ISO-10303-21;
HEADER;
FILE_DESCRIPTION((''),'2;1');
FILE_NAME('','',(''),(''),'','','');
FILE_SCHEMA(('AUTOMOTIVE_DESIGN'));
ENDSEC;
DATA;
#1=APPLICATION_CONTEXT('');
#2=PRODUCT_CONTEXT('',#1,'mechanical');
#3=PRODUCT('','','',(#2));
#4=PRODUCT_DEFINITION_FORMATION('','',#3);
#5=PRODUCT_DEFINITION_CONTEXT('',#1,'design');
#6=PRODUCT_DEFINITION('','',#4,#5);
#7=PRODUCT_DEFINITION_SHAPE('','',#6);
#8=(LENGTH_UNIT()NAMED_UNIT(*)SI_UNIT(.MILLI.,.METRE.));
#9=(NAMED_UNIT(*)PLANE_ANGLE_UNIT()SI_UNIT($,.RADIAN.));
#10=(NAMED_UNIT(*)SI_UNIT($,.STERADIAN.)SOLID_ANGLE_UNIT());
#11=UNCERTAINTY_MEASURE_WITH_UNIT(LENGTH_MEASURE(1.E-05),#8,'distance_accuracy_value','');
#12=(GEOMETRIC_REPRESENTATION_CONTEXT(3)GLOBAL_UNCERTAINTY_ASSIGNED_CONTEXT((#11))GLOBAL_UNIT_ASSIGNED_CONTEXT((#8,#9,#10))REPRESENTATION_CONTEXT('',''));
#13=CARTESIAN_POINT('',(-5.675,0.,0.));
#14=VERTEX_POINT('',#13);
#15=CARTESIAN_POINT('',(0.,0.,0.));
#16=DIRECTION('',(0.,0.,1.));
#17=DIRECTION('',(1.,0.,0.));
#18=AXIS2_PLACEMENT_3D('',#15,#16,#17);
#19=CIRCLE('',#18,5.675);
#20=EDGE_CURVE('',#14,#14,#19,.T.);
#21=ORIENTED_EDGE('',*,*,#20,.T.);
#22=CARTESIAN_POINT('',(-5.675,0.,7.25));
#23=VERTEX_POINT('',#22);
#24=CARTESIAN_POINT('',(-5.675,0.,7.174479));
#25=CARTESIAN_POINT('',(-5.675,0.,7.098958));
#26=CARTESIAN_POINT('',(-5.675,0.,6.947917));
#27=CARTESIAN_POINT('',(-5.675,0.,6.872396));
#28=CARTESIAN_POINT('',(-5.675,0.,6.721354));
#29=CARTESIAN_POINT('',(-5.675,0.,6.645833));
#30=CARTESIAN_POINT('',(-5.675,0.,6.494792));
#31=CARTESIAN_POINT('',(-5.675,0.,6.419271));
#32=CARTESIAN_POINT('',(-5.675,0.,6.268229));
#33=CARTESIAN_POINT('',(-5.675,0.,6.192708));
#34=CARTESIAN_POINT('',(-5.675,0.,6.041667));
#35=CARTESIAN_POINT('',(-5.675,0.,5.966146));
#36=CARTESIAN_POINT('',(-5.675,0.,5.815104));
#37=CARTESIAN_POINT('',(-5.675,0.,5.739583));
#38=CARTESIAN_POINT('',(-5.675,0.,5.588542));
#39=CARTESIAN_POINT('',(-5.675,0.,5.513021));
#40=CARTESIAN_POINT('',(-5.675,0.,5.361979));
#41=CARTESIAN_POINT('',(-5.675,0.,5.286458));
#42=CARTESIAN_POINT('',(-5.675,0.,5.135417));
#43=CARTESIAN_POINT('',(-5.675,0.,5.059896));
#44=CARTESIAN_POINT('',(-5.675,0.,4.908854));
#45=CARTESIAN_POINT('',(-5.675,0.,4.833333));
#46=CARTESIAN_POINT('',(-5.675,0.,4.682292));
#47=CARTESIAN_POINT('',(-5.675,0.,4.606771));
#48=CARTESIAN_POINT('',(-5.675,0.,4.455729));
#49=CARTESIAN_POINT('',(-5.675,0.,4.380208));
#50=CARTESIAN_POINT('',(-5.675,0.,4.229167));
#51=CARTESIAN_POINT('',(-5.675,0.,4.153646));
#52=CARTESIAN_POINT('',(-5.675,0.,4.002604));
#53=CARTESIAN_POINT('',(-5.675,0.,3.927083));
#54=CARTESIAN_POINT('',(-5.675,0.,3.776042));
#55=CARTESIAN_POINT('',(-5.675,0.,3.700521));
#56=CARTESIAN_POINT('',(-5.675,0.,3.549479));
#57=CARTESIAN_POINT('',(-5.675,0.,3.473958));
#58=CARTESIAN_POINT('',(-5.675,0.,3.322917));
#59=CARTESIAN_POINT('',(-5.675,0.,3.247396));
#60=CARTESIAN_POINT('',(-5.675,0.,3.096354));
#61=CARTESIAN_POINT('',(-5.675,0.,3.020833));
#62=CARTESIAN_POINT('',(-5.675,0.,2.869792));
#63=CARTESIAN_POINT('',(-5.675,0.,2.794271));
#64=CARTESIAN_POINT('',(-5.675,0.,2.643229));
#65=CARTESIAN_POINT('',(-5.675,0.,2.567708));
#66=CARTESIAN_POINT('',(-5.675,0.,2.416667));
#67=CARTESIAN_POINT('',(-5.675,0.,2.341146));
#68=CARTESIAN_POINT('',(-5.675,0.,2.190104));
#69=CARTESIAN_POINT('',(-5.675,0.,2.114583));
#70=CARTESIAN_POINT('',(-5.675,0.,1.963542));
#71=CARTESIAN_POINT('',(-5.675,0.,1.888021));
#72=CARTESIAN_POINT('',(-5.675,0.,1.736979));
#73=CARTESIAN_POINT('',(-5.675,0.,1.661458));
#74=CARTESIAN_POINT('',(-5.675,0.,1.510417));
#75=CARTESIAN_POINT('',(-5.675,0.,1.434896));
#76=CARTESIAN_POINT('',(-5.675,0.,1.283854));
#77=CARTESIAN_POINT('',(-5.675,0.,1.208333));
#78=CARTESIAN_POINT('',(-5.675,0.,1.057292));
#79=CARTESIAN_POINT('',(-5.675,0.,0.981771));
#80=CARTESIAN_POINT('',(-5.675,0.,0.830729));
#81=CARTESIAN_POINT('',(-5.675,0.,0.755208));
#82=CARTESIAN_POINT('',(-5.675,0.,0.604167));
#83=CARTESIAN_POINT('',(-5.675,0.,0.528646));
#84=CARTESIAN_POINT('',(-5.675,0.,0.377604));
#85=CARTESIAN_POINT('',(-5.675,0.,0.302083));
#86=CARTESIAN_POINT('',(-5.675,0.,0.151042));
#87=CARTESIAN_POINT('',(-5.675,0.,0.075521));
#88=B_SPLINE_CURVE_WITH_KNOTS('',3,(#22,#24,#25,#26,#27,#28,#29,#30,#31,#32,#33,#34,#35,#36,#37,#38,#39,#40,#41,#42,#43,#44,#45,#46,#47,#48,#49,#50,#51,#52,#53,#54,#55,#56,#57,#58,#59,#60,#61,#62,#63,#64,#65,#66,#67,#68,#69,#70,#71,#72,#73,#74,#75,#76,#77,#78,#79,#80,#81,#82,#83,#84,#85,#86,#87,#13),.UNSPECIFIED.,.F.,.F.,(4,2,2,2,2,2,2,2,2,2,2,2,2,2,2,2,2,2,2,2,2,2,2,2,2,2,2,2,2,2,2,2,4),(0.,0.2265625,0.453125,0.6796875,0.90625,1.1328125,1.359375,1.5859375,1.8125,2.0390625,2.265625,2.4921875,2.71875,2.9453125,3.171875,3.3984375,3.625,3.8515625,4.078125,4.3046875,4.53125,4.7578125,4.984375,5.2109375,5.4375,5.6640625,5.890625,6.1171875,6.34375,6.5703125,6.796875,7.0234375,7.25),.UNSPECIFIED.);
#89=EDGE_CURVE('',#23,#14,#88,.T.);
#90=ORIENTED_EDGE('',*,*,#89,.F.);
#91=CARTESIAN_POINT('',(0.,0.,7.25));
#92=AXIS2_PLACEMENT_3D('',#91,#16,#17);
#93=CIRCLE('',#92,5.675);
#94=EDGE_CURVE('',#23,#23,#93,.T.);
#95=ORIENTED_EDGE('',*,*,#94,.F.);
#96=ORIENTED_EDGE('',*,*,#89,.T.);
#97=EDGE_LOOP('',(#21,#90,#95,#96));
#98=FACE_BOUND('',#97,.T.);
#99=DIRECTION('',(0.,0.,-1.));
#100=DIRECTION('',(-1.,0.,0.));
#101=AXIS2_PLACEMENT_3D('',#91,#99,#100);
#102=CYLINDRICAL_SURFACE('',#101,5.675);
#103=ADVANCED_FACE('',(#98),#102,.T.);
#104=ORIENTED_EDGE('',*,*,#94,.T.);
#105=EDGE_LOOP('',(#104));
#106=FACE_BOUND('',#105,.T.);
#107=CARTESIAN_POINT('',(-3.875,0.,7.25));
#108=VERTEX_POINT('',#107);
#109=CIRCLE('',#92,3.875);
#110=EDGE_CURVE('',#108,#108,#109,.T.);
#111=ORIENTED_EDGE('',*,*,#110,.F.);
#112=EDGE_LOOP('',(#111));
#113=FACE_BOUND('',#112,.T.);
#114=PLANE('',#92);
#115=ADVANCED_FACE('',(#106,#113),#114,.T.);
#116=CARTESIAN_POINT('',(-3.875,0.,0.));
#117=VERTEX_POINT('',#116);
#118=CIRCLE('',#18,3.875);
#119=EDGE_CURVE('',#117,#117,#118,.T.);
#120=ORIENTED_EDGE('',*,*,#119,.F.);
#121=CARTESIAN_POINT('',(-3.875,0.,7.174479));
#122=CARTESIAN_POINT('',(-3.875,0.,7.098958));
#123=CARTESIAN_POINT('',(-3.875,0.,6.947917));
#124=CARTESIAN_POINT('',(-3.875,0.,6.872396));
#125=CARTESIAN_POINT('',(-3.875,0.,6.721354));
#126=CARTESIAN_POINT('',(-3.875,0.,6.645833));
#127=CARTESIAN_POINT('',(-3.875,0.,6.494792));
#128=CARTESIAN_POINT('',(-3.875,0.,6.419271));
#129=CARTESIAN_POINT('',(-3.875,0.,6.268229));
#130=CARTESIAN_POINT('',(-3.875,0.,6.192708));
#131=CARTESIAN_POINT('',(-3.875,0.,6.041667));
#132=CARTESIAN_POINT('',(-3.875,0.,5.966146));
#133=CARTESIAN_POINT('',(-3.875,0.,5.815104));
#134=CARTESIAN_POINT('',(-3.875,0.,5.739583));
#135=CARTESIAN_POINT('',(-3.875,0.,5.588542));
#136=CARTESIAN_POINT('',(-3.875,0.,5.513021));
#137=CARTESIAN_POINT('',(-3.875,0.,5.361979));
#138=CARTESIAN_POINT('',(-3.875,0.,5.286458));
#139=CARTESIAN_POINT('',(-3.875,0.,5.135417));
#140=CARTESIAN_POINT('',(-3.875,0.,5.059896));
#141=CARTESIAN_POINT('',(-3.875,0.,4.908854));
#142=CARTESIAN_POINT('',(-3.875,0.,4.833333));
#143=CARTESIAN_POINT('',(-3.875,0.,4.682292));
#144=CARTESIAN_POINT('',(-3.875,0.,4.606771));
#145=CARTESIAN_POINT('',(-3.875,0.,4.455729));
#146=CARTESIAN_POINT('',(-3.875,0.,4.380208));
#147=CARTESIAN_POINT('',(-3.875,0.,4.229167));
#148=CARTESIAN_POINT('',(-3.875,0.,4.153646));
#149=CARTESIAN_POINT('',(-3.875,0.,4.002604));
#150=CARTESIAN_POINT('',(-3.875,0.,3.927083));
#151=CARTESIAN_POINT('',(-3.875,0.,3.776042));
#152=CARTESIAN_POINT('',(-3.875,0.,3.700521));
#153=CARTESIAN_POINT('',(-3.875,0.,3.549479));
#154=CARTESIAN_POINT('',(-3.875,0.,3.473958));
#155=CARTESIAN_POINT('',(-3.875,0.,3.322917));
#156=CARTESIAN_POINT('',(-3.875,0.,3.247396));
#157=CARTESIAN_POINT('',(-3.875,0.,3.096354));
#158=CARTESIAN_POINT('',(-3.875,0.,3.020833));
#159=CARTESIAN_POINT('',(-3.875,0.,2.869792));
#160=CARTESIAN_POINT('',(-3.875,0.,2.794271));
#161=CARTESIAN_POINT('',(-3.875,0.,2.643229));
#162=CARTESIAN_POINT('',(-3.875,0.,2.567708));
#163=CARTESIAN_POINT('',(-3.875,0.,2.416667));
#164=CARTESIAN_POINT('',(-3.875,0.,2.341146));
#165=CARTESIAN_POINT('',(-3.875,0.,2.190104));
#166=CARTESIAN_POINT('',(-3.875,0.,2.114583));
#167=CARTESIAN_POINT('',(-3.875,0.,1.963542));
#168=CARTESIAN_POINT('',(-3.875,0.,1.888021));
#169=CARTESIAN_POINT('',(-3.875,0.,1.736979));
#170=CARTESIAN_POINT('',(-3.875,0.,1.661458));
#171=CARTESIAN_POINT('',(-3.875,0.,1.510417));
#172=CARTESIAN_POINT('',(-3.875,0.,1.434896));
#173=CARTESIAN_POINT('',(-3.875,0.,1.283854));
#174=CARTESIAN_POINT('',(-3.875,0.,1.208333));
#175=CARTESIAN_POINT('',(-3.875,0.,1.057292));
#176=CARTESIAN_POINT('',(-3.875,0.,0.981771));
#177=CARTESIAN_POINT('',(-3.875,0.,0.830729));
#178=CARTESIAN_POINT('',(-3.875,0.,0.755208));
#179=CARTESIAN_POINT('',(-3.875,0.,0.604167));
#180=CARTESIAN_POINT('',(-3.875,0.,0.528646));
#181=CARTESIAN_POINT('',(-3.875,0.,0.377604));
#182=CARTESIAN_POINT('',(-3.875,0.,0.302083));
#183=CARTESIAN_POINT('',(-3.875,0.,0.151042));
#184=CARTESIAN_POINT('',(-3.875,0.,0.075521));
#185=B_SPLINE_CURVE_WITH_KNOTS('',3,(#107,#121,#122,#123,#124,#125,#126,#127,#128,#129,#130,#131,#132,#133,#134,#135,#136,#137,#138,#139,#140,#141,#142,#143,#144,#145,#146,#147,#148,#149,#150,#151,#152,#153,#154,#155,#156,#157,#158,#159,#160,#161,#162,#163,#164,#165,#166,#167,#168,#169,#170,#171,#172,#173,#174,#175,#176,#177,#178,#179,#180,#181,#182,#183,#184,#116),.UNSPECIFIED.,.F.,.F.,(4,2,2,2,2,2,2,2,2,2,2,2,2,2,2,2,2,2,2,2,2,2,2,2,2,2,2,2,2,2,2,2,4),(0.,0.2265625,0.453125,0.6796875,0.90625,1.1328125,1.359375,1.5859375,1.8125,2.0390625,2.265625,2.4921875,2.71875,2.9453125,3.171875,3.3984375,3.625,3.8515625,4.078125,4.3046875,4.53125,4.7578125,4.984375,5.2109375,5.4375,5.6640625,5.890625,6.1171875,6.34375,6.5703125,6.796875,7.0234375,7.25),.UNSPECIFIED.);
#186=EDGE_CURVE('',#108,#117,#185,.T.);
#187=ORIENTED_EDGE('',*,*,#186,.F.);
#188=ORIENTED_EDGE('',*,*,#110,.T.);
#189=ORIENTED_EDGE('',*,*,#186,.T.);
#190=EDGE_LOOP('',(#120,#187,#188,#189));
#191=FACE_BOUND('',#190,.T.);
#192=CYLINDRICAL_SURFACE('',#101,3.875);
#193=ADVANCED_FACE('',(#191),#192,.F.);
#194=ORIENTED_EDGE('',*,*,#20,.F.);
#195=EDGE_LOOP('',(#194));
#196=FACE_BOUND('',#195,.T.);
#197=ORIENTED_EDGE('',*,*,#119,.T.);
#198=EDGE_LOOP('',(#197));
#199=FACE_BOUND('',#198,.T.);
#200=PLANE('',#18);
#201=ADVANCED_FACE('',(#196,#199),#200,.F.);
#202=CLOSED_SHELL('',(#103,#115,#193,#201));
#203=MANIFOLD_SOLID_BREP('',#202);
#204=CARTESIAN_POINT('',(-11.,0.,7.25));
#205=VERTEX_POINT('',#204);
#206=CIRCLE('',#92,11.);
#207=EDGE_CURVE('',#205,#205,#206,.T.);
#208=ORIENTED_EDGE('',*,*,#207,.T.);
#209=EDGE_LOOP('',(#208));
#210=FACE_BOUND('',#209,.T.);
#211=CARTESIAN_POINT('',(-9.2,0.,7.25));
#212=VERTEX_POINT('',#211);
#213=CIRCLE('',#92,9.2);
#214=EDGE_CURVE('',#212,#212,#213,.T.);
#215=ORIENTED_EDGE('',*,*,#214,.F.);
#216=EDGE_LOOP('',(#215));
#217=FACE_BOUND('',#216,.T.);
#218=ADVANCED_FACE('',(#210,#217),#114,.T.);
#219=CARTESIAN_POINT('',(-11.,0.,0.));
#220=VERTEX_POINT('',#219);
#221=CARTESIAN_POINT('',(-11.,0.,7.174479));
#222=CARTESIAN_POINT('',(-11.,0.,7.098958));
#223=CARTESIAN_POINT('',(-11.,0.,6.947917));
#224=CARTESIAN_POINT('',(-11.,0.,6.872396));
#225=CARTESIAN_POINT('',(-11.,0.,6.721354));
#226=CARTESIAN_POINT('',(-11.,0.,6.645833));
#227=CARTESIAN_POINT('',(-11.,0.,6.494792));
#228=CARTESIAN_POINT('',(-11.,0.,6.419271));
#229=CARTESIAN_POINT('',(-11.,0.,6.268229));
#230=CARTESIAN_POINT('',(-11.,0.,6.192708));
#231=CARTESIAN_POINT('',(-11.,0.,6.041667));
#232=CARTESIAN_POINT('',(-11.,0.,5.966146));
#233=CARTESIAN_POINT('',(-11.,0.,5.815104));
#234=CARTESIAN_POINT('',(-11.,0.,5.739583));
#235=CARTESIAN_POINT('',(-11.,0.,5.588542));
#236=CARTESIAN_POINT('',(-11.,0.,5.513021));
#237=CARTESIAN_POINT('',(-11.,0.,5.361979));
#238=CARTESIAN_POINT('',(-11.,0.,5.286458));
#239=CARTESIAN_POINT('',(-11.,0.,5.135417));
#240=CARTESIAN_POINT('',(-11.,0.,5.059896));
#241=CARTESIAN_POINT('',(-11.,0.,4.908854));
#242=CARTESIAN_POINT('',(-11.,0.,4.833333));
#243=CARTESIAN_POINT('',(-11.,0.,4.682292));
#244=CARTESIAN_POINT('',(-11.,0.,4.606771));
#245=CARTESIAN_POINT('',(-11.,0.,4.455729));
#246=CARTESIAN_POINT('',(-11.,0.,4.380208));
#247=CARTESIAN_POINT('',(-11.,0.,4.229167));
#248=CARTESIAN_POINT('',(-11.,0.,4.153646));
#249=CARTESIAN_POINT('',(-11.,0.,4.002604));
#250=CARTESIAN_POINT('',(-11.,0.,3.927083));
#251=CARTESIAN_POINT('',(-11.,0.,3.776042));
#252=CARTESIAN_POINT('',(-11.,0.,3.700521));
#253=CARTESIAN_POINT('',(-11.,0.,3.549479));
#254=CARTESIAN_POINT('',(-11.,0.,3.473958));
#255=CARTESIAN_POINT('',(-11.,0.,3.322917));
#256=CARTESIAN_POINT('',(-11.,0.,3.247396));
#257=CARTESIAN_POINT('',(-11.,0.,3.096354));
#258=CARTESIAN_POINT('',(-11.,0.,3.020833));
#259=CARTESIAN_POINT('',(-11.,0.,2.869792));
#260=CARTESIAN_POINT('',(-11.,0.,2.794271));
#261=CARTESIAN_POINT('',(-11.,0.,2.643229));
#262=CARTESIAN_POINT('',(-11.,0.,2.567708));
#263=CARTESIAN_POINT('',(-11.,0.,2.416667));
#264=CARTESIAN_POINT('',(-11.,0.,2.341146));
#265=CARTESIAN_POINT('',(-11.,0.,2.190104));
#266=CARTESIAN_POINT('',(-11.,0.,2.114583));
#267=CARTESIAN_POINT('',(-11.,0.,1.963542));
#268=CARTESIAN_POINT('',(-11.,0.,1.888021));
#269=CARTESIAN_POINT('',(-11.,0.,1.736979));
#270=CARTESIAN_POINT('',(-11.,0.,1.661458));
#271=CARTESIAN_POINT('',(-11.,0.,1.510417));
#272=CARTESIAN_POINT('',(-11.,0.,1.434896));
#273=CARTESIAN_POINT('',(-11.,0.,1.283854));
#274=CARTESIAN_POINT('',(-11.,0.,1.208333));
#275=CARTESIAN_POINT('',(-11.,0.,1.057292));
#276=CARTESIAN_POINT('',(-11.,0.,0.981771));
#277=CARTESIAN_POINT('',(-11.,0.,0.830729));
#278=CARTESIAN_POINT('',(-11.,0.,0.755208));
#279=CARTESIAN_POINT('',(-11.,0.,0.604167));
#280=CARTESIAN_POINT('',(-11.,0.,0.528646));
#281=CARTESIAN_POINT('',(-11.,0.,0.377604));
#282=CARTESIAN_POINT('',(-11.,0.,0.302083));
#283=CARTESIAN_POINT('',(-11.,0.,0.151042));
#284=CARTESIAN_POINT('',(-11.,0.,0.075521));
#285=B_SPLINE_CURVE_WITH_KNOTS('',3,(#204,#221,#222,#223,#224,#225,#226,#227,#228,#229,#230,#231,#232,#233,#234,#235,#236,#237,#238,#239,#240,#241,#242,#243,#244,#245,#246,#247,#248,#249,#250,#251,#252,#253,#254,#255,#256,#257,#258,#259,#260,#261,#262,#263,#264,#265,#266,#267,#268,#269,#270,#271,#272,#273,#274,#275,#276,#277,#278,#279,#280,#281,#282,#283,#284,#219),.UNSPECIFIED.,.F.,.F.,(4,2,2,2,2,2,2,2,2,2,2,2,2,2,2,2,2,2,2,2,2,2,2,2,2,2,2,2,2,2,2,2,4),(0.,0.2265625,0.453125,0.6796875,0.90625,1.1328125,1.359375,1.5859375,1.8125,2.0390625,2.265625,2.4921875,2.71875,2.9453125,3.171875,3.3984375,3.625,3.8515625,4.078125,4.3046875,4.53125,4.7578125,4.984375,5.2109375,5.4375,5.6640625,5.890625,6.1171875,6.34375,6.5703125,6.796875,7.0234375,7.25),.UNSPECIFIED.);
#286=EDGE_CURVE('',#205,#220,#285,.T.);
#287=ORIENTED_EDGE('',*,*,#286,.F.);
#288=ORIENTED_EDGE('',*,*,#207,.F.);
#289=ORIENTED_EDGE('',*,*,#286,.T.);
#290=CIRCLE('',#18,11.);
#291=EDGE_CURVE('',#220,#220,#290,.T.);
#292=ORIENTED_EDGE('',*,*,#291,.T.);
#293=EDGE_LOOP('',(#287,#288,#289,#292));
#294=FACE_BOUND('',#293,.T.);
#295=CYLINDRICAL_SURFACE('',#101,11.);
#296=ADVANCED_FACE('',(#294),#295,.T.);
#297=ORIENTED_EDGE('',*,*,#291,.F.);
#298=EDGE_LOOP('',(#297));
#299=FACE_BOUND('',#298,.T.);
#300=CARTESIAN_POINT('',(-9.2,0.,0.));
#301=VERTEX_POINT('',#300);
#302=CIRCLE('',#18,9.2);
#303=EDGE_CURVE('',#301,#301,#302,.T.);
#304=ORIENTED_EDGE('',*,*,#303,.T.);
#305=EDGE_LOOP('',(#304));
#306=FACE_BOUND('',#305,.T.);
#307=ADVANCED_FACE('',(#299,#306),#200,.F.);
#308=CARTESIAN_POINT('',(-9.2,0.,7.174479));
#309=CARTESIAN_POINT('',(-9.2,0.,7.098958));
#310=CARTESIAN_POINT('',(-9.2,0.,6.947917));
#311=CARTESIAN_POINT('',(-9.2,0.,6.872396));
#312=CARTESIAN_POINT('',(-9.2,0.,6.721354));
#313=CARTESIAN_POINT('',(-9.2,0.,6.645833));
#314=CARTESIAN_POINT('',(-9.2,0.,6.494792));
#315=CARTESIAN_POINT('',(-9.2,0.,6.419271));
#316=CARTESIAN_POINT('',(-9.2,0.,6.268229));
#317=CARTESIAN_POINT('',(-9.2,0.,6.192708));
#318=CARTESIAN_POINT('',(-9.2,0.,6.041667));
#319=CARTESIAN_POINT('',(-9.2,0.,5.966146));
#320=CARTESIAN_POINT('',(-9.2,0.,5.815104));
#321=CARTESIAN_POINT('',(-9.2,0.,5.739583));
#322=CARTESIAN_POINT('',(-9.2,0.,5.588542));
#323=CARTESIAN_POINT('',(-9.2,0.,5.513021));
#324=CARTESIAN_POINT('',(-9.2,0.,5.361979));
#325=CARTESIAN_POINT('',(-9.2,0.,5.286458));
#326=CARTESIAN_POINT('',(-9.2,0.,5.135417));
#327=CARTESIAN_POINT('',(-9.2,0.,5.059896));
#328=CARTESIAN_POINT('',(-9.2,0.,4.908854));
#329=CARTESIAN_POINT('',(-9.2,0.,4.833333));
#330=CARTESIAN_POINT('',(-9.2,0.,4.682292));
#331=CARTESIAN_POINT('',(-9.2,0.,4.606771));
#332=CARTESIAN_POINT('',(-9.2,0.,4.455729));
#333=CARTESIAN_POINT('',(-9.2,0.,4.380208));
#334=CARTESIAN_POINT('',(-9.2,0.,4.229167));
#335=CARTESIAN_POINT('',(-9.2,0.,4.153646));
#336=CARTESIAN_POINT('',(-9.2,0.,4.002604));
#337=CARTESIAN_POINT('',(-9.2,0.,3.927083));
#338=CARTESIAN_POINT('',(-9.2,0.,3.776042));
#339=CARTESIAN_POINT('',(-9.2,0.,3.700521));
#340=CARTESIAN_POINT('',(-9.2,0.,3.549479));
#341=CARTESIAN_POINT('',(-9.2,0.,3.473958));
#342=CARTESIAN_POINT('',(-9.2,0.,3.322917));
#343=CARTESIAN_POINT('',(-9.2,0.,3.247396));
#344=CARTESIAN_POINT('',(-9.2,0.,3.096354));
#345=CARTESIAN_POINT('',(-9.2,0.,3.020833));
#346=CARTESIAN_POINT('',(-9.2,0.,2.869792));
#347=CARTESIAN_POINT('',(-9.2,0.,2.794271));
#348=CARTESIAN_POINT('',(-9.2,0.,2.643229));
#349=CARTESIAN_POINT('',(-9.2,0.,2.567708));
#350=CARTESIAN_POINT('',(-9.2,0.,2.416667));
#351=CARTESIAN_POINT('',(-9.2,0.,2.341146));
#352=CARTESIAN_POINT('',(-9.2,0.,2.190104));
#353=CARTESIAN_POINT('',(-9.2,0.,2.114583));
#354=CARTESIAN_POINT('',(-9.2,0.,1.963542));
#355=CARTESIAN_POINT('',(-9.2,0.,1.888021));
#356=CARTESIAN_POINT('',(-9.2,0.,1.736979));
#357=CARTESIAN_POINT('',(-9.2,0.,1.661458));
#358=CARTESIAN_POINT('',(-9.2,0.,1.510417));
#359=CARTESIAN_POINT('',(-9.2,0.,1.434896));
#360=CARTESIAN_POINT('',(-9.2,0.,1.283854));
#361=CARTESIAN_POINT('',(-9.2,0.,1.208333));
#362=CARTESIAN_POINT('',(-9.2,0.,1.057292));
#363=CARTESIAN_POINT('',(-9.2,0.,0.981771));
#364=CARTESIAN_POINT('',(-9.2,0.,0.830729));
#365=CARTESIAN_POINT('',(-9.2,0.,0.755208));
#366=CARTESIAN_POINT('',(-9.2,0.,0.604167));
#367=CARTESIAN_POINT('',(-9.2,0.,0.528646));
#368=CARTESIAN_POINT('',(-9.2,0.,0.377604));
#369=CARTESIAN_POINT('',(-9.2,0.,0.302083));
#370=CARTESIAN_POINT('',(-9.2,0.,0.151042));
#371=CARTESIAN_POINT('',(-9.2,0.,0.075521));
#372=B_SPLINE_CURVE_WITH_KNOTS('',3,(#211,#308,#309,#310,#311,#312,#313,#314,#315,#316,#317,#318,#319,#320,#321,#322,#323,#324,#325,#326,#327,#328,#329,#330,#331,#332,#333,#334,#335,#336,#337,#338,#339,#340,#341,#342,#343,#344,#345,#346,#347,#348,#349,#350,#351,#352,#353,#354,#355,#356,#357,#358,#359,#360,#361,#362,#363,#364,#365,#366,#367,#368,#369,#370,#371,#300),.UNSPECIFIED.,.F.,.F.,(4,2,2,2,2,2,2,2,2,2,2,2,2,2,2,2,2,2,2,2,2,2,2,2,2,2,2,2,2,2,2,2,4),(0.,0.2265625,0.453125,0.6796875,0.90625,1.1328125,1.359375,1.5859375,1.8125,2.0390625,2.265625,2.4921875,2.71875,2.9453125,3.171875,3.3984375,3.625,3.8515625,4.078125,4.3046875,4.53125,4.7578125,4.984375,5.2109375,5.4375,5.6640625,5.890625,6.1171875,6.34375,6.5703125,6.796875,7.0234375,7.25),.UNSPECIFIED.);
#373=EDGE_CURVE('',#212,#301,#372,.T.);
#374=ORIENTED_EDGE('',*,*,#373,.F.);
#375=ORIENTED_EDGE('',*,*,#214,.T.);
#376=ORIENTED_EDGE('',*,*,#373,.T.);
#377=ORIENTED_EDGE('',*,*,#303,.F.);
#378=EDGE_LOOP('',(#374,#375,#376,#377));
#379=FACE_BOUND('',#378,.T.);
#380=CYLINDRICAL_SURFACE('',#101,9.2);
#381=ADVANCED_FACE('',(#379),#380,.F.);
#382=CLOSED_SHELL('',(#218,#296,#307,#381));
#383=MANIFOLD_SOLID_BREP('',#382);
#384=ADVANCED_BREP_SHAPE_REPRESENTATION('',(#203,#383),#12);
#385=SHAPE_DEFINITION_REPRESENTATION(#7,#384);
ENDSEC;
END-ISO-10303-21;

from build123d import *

# Parameters (mm, degrees)
SKETCH_1_R        = 11
SKETCH_1_R_2      = 9.2
EXTRUDE_1_DEPTH   = 7.25
SKETCH_1_R_3      = 5.675
SKETCH_1_R_4      = 3.875
EXTRUDE_1_2_DEPTH = 7.25


with BuildPart() as part:
    # 스케치1 → 보스-돌출1 (new body)
    with BuildSketch(Plane.XY):
        with Locations(Location((0, 0, 0), (0, 0, 180))):
            Circle(SKETCH_1_R)
        with Locations(Location((0, 0, 0), (0, 0, 180))):
            Circle(SKETCH_1_R_2, mode=Mode.SUBTRACT)
    extrude(amount=EXTRUDE_1_DEPTH)


with BuildPart() as body_2:
    # 스케치1 → Extrude 1 2 (new body)
    with BuildSketch(Plane.XY):
        with Locations(Location((0, 0, 0), (0, 0, 180))):
            Circle(SKETCH_1_R_3)
        with Locations(Location((0, 0, 0), (0, 0, 180))):
            Circle(SKETCH_1_R_4, mode=Mode.SUBTRACT)
    extrude(amount=EXTRUDE_1_2_DEPTH)


solid = Compound([part.part, body_2.part])
